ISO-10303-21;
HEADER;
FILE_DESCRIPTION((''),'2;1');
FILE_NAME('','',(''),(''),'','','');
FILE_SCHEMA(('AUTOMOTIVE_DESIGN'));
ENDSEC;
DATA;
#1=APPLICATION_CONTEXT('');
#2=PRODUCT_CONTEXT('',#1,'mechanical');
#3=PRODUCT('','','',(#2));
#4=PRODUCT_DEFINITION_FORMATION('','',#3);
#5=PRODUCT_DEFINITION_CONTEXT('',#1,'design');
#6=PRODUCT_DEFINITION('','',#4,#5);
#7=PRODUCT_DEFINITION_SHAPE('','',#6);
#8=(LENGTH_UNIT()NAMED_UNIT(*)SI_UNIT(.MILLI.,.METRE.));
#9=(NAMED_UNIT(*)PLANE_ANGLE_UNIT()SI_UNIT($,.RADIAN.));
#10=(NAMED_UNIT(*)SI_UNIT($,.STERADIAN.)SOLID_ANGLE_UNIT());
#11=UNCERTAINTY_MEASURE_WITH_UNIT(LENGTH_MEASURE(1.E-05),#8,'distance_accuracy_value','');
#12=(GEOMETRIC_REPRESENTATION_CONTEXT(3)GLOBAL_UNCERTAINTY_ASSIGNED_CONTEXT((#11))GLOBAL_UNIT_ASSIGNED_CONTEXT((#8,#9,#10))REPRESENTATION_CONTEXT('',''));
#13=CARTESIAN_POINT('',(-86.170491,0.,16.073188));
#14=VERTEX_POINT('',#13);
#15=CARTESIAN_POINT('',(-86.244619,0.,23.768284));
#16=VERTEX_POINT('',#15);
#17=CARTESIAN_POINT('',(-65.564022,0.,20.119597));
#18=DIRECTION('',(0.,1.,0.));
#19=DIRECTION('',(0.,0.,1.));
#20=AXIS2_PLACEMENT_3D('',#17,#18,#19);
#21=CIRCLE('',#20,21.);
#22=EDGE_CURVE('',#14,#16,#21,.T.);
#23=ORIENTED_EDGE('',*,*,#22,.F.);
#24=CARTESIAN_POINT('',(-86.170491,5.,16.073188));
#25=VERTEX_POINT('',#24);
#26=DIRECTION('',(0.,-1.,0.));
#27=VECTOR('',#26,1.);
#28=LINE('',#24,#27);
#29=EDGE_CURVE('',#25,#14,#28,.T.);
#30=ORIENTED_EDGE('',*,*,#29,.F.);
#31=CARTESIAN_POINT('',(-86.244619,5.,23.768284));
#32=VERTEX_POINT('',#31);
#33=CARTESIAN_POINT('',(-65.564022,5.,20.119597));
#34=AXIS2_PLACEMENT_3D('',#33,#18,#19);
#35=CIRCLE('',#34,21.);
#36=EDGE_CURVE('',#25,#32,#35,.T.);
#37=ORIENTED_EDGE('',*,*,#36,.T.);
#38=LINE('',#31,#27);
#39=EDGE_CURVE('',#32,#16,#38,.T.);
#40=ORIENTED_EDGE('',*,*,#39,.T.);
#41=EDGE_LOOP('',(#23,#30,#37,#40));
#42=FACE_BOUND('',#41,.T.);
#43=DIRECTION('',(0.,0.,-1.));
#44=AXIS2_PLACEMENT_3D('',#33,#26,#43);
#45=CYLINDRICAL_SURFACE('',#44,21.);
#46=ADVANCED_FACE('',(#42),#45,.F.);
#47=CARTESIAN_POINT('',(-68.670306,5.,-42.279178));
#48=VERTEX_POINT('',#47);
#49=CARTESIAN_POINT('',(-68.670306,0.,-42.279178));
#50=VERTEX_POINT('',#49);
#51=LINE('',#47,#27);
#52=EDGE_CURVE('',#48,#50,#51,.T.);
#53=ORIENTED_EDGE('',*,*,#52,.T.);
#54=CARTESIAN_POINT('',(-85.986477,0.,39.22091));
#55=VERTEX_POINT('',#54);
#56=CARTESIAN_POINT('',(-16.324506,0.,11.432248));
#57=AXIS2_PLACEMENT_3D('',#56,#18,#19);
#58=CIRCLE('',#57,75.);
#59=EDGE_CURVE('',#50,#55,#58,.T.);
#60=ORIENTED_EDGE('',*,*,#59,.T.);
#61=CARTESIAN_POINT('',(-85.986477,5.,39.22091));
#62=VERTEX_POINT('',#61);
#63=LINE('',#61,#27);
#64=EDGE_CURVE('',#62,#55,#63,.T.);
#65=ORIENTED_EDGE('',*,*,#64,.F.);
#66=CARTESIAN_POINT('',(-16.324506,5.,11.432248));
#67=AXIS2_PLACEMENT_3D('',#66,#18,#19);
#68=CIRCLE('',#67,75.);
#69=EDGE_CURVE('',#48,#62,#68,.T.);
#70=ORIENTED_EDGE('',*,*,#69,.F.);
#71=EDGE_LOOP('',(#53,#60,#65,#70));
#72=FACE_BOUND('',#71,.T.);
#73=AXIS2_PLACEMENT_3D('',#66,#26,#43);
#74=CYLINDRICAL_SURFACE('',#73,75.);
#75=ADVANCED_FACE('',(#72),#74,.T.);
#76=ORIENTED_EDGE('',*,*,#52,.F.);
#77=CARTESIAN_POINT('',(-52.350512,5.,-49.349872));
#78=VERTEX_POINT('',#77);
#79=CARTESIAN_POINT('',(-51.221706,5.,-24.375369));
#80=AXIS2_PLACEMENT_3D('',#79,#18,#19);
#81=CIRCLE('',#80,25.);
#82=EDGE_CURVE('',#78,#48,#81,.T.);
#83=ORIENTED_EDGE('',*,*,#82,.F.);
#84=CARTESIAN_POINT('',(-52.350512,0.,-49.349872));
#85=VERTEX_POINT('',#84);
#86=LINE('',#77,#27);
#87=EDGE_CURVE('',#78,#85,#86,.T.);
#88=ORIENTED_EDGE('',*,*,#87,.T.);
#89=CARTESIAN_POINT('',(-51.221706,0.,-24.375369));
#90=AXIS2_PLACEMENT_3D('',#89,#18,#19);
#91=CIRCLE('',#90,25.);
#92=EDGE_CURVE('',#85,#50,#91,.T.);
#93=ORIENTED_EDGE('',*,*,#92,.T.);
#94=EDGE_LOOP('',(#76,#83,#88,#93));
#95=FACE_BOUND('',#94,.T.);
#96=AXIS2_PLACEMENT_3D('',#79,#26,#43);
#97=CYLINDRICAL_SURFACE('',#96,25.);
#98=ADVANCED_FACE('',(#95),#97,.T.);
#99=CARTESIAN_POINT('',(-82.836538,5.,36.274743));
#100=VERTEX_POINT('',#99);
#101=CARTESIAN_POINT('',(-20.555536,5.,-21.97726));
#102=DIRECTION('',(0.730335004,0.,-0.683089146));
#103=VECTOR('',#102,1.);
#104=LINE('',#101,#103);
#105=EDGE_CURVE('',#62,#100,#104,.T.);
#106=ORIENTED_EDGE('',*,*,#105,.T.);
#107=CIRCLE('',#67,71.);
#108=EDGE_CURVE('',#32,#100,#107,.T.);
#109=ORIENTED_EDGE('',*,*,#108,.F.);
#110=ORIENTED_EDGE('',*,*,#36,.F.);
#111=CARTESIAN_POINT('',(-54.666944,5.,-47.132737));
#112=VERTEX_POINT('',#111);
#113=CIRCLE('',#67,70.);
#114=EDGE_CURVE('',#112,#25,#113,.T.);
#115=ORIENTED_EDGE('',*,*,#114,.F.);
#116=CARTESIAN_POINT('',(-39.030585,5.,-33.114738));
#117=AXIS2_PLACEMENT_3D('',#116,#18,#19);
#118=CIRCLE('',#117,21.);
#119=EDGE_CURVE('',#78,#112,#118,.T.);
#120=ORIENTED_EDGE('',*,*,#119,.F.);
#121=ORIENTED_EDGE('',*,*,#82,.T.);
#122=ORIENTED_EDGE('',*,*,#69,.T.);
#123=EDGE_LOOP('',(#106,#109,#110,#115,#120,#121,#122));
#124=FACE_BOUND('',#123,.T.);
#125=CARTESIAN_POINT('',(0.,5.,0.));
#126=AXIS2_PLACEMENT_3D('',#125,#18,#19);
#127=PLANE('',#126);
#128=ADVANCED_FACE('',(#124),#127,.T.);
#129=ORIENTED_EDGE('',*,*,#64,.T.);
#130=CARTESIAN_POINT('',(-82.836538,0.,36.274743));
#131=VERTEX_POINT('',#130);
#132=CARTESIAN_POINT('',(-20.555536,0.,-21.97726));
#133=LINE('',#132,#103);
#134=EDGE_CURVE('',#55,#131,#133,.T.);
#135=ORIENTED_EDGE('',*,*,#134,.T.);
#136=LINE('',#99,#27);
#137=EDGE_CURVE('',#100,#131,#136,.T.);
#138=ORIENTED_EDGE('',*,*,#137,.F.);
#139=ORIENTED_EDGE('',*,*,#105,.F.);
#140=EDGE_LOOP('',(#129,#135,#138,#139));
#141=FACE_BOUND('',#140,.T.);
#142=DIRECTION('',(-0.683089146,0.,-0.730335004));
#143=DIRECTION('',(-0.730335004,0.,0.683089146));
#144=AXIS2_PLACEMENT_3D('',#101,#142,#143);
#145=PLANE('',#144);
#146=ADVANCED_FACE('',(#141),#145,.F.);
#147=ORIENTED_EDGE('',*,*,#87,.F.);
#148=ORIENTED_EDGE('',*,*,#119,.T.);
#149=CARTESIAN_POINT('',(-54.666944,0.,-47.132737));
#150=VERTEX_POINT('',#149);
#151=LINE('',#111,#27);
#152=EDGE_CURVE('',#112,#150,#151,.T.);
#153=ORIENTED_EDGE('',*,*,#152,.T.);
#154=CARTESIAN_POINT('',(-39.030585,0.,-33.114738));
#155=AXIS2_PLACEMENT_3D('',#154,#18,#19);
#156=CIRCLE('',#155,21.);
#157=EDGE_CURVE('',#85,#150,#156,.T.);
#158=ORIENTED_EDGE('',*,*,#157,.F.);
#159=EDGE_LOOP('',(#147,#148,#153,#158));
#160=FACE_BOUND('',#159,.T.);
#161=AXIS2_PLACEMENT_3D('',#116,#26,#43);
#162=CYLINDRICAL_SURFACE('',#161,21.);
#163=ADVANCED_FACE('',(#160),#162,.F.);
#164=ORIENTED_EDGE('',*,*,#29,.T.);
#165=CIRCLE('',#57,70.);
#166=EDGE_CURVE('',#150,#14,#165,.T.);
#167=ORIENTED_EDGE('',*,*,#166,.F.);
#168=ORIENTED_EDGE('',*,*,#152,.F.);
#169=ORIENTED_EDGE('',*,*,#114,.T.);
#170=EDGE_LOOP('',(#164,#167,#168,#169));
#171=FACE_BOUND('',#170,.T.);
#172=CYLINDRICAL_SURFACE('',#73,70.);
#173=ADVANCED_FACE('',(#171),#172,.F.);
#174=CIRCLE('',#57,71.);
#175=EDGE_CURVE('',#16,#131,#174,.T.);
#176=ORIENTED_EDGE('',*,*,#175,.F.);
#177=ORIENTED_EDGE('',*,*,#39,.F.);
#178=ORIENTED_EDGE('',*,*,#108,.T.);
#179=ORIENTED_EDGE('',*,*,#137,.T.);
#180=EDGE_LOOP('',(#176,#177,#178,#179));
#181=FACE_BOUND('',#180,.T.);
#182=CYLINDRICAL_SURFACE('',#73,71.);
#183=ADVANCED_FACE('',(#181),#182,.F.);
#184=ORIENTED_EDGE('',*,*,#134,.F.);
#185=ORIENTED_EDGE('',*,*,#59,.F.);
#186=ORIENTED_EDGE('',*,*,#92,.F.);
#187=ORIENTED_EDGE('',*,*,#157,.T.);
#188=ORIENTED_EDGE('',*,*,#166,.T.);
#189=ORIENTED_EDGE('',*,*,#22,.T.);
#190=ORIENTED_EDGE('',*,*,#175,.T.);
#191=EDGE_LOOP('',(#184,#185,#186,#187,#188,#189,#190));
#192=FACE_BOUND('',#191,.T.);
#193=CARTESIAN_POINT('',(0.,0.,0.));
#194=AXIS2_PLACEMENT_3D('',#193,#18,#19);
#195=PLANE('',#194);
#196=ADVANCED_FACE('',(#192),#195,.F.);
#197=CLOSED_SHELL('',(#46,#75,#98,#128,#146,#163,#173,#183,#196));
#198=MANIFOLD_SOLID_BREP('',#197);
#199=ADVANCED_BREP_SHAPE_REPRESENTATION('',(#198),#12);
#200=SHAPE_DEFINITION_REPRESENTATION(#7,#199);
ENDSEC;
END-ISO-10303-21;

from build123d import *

# Parameters (mm, degrees)
BOSS_EXTRU_1_DEPTH = 5


with BuildPart() as part:
    # Esquisse1 → Boss.-Extru.1 (new body)
    with BuildSketch(Plane(origin=(0, 0, 0), x_dir=(1, 0, 0), z_dir=(0, 1, 0))):
        with BuildLine():
            Line((-85.986477301, -39.220909897), (-82.836538311, -36.274742561))
            ThreePointArc((-82.836538311, -36.274742561), (-84.826589539, -30.099452785), (-86.244619049, -23.768283856))
            ThreePointArc((-86.244619049, -23.768283856), (-86.563047935, -19.917311272), (-86.17049139, -16.073187685))
            ThreePointArc((-86.17049139, -16.073187685), (-78.973775537, 19.793847734), (-54.666943907, 47.13273734))
            ThreePointArc((-54.666943907, 47.13273734), (-53.551106318, 48.285581279), (-52.350511604, 49.349872124))
            ThreePointArc((-52.350511604, 49.349872124), (-61.160452612, 47.314883556), (-68.670306383, 42.279177512))
            ThreePointArc((-68.670306383, 42.279177512), (-89.686895205, 4.154921869), (-85.986477301, -39.220909897))
        make_face()
    extrude(amount=BOSS_EXTRU_1_DEPTH)


solid = part.part
